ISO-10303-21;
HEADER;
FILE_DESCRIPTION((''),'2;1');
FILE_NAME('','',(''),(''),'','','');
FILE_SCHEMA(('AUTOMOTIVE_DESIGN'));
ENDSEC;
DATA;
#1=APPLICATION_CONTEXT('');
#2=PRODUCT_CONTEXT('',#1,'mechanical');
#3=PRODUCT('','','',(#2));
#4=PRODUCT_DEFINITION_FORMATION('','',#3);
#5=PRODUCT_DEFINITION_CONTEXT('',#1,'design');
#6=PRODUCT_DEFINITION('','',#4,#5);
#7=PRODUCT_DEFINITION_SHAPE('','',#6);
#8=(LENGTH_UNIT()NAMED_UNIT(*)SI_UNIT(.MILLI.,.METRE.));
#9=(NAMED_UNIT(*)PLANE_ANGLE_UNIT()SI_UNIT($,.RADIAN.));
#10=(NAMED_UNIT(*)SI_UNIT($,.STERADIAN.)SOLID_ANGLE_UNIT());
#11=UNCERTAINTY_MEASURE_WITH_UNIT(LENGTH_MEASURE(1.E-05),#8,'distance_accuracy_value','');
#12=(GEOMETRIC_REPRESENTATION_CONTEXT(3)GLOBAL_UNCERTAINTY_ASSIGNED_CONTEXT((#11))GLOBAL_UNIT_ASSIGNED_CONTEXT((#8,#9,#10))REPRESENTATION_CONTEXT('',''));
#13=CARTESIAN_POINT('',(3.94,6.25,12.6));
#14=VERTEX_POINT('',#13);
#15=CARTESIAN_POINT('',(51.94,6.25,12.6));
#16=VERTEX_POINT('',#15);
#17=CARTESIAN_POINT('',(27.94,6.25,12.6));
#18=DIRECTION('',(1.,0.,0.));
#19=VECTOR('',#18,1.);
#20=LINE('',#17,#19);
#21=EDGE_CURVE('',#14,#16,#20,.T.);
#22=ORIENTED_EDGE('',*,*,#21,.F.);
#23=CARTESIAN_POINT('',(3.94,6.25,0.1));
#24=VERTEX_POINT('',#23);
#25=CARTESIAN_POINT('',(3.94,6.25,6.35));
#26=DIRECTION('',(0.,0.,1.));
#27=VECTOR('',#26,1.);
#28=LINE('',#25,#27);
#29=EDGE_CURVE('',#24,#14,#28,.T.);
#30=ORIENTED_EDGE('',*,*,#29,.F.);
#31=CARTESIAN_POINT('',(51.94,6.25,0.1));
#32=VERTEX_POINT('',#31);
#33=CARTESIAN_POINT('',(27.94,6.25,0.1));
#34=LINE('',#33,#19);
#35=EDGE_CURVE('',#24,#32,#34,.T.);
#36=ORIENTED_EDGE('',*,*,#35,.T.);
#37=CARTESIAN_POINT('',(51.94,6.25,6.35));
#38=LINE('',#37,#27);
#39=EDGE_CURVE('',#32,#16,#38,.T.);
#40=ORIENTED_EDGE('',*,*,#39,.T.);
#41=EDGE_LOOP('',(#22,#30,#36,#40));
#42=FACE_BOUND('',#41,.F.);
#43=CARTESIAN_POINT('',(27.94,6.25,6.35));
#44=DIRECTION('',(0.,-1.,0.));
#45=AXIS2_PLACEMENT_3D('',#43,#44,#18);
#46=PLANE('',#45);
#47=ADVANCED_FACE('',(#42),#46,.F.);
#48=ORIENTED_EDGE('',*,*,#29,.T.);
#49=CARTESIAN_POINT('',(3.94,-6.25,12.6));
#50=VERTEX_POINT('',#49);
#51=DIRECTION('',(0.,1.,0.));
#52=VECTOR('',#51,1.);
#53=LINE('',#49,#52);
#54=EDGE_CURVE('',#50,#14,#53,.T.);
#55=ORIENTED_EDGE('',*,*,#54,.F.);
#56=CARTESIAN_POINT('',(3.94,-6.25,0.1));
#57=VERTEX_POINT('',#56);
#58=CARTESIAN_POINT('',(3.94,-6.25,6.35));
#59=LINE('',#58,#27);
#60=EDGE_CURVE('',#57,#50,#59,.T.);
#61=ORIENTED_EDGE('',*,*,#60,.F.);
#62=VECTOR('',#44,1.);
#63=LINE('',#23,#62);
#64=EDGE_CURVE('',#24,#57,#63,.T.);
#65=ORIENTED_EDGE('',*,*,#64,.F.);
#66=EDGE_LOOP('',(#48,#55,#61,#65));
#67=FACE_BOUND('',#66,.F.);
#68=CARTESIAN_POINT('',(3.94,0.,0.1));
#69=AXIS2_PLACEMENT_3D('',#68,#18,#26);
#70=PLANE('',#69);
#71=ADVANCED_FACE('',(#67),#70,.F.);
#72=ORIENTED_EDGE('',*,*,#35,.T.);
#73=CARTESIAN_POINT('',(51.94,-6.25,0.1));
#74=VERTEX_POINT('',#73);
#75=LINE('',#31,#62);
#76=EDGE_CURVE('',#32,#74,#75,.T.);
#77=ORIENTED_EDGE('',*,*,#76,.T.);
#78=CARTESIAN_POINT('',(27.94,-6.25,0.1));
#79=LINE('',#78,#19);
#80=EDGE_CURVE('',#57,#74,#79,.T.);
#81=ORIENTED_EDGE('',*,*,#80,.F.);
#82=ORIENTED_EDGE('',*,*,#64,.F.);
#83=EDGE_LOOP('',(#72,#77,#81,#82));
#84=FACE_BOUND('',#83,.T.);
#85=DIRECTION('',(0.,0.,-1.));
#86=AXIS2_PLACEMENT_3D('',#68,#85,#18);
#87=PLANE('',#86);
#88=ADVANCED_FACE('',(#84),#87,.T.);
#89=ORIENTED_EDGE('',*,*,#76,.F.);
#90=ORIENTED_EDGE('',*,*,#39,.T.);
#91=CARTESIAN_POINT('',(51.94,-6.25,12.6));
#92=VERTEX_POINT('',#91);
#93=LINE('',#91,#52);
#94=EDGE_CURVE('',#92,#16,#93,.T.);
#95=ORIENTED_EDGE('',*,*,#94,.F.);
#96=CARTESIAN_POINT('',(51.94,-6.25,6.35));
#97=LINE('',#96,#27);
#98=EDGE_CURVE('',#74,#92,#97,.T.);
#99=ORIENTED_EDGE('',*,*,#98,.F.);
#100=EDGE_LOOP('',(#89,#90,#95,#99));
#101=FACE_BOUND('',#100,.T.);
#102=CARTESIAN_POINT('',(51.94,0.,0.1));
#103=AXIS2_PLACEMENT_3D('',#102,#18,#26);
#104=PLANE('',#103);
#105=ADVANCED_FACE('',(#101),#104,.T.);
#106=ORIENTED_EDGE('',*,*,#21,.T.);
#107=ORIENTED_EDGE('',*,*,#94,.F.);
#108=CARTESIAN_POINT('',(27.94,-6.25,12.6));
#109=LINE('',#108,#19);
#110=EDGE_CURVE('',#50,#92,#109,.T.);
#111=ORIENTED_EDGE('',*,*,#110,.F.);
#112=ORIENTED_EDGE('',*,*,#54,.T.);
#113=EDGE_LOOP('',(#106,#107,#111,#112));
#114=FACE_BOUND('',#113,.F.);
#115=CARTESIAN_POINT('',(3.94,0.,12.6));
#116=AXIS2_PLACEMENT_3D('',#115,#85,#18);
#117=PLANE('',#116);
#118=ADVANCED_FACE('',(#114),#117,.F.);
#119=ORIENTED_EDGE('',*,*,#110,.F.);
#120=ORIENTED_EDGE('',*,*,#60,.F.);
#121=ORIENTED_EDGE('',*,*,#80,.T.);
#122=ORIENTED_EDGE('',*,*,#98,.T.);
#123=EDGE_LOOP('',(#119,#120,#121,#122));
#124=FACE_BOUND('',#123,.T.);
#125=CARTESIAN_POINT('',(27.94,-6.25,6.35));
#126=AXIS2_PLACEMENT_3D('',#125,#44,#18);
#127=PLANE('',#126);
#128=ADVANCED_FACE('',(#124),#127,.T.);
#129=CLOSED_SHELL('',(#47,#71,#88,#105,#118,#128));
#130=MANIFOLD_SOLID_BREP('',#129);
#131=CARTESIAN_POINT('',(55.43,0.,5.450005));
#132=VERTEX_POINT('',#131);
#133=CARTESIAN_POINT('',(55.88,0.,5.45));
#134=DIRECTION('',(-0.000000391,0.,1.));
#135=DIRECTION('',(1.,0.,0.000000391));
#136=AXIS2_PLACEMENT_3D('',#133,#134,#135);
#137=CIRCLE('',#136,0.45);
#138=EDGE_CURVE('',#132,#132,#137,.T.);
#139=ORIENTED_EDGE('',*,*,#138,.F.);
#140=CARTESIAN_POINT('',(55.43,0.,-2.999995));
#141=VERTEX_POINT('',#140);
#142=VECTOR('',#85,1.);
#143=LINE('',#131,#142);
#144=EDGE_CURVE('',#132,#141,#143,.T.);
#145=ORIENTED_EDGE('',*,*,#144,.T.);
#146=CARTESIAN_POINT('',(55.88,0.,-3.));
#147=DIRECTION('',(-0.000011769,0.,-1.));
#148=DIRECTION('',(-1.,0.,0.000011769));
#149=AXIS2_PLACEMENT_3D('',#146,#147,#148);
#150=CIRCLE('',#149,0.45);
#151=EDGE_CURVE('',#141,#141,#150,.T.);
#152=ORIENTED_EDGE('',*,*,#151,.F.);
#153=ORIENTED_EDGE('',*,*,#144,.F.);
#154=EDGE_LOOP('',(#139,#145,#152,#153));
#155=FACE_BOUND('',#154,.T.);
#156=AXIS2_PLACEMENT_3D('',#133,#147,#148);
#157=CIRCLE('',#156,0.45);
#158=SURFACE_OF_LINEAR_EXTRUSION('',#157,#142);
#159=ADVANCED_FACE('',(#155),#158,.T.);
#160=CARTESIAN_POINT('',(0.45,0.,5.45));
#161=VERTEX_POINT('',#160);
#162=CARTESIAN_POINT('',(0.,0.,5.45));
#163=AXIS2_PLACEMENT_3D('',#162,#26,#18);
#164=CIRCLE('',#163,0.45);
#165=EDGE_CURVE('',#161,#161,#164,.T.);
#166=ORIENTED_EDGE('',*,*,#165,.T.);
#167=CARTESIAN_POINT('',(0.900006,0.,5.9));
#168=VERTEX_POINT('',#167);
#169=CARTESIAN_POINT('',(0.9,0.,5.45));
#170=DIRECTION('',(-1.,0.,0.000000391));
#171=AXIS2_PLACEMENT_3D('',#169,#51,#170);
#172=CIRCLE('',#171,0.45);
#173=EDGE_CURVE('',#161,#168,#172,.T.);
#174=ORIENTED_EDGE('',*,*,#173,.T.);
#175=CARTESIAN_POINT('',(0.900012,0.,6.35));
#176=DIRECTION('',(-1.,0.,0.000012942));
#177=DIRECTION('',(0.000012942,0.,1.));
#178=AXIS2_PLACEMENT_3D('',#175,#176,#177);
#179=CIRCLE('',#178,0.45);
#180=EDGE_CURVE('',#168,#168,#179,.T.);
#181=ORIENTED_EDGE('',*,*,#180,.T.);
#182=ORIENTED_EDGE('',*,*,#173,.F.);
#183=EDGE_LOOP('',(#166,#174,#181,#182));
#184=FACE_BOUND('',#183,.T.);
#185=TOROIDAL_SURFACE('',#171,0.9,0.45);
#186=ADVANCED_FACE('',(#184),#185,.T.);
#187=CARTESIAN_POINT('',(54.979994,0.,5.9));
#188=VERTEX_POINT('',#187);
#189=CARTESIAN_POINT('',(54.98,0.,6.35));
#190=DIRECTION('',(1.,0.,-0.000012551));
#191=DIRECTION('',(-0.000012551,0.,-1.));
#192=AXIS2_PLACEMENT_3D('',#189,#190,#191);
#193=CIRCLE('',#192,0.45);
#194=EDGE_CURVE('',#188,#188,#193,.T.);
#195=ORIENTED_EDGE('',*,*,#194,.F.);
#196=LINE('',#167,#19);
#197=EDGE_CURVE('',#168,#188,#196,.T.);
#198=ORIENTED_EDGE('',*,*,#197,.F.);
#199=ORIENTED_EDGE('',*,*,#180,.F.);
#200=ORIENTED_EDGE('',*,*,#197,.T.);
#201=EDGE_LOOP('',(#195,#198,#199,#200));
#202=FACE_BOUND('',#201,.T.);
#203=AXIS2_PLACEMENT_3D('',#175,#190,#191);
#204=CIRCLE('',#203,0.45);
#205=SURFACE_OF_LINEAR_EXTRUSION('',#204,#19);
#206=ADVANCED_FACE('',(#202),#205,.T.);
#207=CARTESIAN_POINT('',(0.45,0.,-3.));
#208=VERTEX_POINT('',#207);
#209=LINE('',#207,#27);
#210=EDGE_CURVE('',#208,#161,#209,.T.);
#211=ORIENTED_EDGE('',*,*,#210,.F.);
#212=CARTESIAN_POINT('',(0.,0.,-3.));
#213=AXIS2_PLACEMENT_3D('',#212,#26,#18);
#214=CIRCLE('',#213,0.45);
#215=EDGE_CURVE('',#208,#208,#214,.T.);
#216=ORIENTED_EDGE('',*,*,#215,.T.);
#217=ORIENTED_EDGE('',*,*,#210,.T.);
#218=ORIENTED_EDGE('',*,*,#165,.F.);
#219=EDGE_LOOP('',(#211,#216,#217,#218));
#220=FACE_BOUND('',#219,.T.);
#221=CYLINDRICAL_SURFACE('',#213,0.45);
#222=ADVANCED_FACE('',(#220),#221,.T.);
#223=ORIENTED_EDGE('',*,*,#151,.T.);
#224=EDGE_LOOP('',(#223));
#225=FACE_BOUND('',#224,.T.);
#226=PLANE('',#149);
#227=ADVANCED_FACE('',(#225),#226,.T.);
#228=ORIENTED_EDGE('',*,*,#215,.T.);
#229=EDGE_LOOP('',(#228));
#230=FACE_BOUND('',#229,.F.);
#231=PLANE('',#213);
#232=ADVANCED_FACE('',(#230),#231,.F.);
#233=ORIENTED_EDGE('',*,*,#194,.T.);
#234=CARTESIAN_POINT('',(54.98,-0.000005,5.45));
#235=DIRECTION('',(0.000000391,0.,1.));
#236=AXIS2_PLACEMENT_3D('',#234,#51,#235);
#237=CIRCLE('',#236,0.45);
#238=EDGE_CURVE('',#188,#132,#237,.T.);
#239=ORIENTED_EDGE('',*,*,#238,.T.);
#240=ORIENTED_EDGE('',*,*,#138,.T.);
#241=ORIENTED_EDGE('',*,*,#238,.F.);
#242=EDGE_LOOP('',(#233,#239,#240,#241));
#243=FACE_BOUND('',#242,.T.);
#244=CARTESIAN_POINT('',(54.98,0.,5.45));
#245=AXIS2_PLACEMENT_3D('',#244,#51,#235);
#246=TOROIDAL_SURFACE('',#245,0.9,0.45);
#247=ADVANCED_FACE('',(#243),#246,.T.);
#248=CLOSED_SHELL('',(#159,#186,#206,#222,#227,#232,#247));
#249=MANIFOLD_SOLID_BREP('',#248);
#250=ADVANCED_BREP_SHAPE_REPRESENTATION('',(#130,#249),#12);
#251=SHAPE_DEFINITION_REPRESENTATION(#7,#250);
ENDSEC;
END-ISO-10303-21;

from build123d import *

# Parameters (mm, degrees)
SKETCH_R    = 0.45
SKETCH002_W = 48
SKETCH002_H = 12.5
PAD_DEPTH   = 6.25


with BuildPart() as sweep_body:
    # Sweep: sweep along a path in Sketch001
    with BuildLine(Plane.XZ) as sweep_path:
        Line((0, -3), (0, 5.45))
        ThreePointArc((0, 5.45), (0.263608, 6.0864), (0.900012, 6.35))
        Line((0.900012, 6.35), (54.98, 6.35))
        ThreePointArc((54.98, 6.35), (55.616396, 6.086396), (55.88, 5.45))
        Line((55.88, 5.45), (55.88, -3))
    # Sketch → Sweep (sweep)
    with BuildSketch(Plane.XY.offset(-2)):
        Circle(SKETCH_R)
    sweep(path=sweep_path.line)


with BuildPart() as pad:
    # Sketch002 → Pad (new body, symmetric)
    with BuildSketch(Plane.XZ):
        with Locations((27.94, 6.35)):
            Rectangle(SKETCH002_W, SKETCH002_H)
    extrude(amount=PAD_DEPTH, both=True)


solid = Compound([sweep_body.part, pad.part])
